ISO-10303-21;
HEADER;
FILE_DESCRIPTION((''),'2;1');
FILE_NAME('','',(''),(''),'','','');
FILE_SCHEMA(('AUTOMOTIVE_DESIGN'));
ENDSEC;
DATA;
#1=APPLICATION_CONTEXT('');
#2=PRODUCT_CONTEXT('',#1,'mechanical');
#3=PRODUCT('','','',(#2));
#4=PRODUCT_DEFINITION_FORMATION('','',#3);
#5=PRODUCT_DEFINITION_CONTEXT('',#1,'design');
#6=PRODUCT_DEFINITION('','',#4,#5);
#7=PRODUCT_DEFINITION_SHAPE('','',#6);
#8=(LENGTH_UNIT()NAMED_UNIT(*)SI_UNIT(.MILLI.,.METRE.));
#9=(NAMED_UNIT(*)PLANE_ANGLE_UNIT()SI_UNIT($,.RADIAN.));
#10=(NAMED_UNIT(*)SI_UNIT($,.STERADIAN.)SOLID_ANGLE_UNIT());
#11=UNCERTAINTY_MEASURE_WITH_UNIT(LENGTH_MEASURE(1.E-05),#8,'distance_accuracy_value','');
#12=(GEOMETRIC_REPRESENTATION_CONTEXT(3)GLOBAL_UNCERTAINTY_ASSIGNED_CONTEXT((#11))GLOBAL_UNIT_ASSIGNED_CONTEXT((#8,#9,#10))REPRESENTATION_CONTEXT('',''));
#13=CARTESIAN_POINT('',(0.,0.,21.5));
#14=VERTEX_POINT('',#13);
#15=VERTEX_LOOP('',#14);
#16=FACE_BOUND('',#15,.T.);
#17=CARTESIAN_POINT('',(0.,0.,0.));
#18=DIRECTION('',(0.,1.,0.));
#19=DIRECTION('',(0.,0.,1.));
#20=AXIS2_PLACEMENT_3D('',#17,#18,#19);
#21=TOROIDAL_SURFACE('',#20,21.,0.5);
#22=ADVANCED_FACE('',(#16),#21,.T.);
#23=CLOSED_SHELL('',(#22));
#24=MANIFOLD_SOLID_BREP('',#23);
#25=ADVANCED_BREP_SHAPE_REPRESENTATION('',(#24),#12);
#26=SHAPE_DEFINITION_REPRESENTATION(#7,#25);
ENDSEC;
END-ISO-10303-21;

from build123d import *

# Parameters (mm, degrees)
SKETCH1_R = 0.5


with BuildPart() as part:
    # Sketch1 → Revolve1 (revolve)
    with BuildSketch(Plane(origin=(0, 0, 0), x_dir=(0, 0, -1), z_dir=(1, 0, 0))):
        with Locations((21, 0)):
            Circle(SKETCH1_R)
    revolve(axis=Axis((0, 1.457950572, 0), (0, -1, 0)))


solid = part.part
